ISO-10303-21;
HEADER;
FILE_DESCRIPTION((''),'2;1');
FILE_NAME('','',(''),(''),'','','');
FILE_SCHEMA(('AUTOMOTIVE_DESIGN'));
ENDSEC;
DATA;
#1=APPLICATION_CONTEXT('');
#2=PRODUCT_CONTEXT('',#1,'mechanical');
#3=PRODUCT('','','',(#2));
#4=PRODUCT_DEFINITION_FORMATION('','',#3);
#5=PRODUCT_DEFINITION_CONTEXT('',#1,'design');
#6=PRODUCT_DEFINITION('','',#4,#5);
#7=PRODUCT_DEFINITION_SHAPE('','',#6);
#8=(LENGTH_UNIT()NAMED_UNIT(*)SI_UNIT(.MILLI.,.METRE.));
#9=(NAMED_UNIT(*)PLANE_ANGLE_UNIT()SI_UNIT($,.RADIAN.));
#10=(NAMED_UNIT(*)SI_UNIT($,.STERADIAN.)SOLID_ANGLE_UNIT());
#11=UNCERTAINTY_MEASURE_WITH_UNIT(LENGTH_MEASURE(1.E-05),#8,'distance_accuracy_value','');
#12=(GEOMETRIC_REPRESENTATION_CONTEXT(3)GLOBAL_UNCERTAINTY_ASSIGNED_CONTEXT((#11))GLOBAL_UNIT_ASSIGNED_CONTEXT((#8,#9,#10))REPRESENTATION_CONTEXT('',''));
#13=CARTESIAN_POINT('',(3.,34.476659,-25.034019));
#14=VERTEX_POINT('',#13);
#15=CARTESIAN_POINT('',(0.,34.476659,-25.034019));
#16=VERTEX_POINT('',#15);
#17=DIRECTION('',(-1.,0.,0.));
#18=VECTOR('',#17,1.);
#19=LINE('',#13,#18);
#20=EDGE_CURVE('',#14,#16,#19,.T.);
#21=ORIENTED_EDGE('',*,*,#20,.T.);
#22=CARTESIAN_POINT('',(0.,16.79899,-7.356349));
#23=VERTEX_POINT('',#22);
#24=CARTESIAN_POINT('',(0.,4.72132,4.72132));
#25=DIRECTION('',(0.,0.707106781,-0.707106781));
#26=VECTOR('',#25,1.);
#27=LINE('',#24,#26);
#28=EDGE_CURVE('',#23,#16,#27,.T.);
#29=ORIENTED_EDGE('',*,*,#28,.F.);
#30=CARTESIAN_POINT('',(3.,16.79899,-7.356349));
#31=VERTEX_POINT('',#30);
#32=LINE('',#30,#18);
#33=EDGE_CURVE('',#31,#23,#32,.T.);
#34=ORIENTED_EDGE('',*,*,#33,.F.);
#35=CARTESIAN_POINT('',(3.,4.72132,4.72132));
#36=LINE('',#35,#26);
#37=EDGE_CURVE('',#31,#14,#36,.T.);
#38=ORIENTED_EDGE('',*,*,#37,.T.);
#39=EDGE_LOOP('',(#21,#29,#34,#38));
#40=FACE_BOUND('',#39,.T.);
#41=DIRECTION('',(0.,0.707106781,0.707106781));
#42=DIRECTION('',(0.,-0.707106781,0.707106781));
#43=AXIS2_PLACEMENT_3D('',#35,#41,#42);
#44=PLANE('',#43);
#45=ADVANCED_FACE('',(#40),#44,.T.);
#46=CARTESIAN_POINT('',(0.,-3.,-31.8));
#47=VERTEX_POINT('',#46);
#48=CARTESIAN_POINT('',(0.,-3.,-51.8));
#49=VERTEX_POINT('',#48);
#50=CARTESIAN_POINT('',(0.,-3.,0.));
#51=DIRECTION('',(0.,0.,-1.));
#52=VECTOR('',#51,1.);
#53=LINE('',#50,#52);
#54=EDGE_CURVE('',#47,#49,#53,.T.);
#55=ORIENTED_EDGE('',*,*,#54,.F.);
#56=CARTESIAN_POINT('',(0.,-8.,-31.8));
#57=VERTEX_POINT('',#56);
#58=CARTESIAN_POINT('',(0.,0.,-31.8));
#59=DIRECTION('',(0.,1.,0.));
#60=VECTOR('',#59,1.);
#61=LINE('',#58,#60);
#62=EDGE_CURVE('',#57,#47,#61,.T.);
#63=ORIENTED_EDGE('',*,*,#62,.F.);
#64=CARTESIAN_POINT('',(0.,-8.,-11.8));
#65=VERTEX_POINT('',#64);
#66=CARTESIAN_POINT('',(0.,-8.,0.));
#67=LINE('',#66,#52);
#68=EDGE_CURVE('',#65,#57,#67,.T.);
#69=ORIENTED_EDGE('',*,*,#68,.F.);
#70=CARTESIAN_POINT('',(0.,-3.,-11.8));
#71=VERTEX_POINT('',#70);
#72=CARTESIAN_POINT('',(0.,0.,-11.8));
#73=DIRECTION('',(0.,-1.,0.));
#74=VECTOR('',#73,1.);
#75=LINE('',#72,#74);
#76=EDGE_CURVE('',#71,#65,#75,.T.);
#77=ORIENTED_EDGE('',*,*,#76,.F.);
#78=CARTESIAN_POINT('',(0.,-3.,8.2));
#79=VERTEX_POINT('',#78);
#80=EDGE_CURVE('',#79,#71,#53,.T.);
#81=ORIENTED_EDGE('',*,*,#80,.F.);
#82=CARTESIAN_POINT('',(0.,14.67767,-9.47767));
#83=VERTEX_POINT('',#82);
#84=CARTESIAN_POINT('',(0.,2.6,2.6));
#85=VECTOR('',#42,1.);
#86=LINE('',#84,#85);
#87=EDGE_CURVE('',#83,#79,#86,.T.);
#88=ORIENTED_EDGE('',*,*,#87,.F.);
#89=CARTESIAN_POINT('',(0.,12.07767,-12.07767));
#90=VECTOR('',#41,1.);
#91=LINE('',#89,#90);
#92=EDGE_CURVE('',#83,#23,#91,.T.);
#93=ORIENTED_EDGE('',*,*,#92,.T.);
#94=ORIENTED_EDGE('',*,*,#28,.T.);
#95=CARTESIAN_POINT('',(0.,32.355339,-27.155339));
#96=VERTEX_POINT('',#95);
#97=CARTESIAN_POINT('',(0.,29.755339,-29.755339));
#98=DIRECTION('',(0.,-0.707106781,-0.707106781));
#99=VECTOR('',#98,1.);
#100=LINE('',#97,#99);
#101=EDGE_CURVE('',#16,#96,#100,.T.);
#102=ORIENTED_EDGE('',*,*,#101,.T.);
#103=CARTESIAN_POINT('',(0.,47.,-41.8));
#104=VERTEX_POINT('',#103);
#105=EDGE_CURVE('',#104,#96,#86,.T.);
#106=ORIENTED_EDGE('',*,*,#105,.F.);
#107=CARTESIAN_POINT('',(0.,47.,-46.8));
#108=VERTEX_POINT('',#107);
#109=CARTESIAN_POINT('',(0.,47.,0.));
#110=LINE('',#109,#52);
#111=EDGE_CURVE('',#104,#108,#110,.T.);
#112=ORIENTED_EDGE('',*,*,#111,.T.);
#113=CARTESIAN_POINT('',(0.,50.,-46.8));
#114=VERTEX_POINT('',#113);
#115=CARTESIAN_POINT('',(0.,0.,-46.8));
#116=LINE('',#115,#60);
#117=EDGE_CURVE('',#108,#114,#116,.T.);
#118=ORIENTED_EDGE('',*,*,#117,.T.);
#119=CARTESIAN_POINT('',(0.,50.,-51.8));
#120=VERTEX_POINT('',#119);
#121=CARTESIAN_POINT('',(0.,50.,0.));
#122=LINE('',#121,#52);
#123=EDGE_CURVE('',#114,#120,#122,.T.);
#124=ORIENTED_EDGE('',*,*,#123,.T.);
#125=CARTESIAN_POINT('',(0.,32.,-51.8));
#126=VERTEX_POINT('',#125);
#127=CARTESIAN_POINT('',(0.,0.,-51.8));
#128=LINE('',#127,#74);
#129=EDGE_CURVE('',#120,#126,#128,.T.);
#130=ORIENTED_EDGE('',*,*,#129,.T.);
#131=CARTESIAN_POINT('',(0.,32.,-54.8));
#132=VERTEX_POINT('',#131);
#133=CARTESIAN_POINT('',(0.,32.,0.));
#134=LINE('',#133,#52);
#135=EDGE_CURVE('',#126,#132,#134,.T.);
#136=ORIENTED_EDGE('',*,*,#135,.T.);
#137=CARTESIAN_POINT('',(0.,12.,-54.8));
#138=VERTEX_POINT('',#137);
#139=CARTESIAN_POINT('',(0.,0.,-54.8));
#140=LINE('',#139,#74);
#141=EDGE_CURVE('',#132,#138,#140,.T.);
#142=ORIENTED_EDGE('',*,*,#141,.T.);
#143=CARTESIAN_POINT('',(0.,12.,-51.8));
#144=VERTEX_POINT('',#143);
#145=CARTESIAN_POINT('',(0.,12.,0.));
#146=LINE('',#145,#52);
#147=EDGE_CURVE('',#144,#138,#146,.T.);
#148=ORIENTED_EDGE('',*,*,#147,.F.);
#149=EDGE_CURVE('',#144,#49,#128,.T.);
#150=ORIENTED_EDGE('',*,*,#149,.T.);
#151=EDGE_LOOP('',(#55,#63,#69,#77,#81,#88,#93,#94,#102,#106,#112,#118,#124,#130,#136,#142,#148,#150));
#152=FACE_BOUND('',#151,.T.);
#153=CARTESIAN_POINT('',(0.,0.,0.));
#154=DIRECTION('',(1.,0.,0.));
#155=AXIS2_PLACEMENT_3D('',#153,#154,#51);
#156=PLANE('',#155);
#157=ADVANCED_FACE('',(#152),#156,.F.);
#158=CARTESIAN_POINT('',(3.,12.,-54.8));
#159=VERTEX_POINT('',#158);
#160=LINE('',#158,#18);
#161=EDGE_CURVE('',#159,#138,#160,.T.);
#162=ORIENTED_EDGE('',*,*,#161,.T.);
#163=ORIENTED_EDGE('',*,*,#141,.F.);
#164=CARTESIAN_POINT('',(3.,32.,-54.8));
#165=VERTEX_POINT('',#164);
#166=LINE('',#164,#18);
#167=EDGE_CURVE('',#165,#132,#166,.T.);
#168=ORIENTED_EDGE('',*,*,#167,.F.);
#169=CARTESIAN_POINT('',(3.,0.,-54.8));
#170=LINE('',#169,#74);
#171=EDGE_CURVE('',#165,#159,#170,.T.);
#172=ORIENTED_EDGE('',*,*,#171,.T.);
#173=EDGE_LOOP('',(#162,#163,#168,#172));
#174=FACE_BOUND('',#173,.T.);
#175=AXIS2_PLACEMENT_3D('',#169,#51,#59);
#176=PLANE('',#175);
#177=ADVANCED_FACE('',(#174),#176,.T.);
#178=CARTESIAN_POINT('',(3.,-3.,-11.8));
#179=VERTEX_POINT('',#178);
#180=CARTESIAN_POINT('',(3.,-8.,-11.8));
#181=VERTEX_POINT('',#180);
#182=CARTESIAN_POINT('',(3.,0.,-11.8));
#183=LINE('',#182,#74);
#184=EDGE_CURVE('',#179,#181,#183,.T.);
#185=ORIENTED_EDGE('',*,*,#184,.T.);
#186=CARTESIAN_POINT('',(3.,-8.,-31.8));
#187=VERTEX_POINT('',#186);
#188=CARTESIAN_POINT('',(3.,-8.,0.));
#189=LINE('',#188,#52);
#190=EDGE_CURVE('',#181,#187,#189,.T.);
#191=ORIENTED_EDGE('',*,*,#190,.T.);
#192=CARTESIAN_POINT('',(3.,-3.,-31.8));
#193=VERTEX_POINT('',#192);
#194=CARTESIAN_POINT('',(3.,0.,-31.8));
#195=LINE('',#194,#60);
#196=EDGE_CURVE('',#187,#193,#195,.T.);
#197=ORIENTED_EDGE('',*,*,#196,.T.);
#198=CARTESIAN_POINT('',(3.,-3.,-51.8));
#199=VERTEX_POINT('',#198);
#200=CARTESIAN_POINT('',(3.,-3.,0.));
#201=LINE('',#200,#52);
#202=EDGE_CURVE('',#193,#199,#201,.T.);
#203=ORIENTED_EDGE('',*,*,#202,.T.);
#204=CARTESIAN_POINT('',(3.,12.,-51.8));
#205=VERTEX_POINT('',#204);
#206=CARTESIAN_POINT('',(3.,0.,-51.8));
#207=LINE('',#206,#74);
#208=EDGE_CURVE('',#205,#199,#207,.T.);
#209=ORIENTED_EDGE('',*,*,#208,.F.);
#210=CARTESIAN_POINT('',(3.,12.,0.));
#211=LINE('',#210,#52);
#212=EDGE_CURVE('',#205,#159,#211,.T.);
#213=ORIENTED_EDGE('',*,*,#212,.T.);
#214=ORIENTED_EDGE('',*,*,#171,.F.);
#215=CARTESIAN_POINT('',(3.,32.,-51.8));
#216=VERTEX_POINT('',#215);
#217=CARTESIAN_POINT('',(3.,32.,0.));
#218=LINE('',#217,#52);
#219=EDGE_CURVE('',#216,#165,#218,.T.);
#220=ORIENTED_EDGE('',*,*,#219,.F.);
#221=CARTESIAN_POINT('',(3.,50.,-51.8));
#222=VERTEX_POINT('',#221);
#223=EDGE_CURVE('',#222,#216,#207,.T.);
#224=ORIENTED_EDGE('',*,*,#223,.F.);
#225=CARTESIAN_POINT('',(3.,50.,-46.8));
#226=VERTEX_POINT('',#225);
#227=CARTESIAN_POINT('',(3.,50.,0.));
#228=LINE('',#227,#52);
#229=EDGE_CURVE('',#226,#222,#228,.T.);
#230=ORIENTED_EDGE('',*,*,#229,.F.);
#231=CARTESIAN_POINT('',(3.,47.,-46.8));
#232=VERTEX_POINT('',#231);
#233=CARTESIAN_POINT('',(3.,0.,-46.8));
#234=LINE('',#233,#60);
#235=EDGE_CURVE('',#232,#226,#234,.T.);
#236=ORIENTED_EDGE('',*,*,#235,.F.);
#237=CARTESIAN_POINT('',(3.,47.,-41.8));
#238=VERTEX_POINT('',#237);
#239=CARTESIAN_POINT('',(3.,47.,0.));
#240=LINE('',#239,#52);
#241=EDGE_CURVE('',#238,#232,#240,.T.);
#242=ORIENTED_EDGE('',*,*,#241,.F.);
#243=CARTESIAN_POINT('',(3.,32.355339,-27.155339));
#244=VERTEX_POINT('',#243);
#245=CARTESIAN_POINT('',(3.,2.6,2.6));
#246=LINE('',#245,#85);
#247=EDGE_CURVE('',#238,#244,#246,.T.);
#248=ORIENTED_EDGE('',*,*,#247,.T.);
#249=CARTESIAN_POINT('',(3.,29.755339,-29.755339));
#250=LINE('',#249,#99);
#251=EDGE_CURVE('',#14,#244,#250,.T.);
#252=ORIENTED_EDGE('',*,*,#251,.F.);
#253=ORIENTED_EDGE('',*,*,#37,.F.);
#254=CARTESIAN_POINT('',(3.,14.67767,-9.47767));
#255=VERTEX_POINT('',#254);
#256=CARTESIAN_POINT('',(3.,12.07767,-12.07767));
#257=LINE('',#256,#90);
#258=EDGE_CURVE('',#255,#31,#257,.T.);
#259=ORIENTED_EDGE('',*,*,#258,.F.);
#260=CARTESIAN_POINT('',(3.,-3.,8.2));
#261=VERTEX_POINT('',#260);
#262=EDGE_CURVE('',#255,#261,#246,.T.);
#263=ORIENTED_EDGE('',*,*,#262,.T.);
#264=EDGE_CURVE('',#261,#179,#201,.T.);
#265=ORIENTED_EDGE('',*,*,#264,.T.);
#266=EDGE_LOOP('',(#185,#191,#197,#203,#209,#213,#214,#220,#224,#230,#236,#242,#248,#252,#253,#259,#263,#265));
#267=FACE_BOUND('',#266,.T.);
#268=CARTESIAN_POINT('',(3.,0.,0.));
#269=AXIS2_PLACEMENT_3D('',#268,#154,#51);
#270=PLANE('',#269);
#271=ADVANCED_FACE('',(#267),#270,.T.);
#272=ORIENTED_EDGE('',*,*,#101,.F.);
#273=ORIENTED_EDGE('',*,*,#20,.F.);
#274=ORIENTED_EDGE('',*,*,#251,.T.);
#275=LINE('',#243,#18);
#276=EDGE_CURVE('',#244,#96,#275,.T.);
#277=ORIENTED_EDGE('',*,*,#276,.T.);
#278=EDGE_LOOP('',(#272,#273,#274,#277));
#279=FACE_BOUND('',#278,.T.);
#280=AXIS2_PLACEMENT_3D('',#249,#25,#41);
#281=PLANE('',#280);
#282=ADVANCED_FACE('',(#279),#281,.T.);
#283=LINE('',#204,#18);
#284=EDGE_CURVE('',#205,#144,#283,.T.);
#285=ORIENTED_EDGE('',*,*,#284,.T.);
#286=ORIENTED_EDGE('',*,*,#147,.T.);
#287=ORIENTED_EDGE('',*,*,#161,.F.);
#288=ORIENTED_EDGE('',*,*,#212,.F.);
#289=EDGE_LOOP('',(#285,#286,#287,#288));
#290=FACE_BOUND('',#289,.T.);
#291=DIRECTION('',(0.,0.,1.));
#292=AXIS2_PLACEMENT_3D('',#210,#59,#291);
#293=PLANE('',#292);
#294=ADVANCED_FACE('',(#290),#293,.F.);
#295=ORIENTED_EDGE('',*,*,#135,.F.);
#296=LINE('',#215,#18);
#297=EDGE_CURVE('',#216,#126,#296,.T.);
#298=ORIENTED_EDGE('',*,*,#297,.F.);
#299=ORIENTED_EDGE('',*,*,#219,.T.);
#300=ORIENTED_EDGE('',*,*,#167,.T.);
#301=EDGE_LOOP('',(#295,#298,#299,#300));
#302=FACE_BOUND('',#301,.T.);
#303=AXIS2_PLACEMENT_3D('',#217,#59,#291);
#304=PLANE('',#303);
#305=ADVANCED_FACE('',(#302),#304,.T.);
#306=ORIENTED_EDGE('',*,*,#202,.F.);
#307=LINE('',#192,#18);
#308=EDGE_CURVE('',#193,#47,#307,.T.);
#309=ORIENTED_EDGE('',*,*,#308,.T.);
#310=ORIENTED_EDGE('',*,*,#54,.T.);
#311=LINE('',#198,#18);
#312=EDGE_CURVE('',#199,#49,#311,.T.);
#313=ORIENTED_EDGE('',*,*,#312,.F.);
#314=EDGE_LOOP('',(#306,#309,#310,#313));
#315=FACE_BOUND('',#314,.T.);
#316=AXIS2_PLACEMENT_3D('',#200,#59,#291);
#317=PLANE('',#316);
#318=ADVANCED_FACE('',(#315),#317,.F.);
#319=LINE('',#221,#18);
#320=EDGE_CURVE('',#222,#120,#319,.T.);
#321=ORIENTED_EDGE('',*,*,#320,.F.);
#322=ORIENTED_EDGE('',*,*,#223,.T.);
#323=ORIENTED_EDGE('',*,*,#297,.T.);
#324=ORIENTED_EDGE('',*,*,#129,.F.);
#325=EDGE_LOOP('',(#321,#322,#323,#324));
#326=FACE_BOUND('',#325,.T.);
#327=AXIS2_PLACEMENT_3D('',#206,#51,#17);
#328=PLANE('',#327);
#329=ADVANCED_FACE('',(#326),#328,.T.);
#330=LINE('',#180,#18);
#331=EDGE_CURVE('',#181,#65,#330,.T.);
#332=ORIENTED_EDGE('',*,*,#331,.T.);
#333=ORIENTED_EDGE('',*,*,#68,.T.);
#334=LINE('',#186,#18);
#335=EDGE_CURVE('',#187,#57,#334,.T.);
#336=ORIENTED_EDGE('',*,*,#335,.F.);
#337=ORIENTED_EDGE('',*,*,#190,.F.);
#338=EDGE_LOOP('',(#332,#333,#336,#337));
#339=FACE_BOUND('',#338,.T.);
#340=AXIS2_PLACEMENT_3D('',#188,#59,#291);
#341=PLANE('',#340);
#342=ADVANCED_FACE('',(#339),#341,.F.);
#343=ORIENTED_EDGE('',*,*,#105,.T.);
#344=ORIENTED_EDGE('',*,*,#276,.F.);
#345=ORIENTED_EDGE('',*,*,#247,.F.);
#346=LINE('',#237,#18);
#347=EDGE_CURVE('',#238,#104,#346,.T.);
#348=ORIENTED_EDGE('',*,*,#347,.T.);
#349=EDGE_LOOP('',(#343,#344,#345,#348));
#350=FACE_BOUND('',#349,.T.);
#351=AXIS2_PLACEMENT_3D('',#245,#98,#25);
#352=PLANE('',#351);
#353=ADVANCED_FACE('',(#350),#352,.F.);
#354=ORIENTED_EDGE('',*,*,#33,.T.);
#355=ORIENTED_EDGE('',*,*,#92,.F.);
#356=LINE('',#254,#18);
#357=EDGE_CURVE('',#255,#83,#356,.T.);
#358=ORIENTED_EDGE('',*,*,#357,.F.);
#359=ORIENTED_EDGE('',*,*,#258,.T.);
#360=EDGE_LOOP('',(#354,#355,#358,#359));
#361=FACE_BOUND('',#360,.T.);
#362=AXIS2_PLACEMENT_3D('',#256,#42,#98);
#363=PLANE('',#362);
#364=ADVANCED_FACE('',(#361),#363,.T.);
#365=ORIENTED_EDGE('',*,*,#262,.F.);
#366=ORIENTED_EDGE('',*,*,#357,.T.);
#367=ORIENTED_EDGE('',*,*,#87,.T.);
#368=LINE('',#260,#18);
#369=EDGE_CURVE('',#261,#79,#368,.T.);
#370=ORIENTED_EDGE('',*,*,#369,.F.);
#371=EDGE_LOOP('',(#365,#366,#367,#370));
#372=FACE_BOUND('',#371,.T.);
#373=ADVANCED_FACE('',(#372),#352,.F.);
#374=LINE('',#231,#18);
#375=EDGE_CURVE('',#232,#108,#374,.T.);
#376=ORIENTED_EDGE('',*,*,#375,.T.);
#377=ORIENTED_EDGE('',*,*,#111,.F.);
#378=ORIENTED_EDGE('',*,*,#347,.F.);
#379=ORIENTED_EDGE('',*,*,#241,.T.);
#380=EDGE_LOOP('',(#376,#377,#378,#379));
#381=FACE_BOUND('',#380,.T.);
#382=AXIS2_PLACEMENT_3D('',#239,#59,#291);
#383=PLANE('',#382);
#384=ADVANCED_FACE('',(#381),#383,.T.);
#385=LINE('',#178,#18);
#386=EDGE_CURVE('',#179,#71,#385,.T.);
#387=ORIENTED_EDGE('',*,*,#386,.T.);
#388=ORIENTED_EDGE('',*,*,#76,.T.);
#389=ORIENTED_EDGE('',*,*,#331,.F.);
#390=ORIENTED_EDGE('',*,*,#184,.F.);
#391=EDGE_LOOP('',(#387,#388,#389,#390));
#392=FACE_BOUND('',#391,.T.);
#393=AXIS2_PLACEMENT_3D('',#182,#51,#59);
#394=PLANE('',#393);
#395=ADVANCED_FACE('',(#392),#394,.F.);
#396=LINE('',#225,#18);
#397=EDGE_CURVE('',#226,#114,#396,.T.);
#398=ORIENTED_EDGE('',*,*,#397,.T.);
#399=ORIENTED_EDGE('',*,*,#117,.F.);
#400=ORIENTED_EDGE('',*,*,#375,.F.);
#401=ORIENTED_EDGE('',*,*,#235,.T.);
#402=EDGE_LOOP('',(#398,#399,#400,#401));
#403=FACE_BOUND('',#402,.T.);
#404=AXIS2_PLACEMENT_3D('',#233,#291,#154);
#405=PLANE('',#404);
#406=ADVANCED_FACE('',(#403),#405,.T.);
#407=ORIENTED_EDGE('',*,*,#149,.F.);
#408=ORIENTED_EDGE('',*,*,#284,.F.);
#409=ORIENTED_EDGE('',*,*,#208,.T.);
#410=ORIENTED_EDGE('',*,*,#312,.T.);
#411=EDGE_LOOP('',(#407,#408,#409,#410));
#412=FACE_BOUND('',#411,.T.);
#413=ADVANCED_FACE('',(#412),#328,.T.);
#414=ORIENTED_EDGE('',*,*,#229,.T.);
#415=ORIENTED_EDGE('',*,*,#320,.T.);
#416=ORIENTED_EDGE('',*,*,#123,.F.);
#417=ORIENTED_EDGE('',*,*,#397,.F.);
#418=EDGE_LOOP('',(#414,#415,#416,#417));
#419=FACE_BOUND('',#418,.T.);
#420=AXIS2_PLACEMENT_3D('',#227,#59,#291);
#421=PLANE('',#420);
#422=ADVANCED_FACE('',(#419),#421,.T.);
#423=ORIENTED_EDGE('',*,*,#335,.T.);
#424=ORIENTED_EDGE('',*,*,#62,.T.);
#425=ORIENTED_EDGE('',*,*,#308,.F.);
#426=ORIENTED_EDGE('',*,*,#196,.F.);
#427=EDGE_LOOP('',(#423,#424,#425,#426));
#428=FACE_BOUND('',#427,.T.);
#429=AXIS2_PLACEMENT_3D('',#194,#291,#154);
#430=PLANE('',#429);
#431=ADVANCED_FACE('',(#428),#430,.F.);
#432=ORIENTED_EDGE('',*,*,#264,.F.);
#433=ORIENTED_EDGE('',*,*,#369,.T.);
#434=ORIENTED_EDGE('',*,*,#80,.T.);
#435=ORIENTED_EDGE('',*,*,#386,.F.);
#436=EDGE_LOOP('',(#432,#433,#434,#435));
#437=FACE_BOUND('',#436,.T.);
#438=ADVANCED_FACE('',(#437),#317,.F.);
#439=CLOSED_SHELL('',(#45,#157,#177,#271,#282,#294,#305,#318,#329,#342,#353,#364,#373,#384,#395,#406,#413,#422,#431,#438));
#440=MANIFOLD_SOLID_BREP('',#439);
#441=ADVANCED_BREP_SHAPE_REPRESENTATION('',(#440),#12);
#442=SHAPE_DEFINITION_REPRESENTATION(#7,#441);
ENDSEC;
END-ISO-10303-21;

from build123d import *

# Parameters (mm, degrees)
EXTRUDE_1_DEPTH = 3


with BuildPart() as part:
    # 스케치1 → 보스-돌출1 (new body)
    with BuildSketch(Plane(origin=(0, 0, 0), x_dir=(0, 0, -1), z_dir=(1, 0, 0))):
        Polygon((51.8, 32), (51.8, 47), (51.8, 50), (46.8, 50), (46.8, 47), (41.8, 47), (27.155339059, 32.355339059), (25.034018716, 34.476659403), (7.356349186, 16.798989873), (9.47766953, 14.67766953), (-8.2, -3), (11.8, -3), (11.8, -8), (31.8, -8), (31.8, -3), (51.8, -3), (51.8, 12), (54.8, 12), (54.8, 32), align=None)
    extrude(amount=EXTRUDE_1_DEPTH)


solid = part.part
